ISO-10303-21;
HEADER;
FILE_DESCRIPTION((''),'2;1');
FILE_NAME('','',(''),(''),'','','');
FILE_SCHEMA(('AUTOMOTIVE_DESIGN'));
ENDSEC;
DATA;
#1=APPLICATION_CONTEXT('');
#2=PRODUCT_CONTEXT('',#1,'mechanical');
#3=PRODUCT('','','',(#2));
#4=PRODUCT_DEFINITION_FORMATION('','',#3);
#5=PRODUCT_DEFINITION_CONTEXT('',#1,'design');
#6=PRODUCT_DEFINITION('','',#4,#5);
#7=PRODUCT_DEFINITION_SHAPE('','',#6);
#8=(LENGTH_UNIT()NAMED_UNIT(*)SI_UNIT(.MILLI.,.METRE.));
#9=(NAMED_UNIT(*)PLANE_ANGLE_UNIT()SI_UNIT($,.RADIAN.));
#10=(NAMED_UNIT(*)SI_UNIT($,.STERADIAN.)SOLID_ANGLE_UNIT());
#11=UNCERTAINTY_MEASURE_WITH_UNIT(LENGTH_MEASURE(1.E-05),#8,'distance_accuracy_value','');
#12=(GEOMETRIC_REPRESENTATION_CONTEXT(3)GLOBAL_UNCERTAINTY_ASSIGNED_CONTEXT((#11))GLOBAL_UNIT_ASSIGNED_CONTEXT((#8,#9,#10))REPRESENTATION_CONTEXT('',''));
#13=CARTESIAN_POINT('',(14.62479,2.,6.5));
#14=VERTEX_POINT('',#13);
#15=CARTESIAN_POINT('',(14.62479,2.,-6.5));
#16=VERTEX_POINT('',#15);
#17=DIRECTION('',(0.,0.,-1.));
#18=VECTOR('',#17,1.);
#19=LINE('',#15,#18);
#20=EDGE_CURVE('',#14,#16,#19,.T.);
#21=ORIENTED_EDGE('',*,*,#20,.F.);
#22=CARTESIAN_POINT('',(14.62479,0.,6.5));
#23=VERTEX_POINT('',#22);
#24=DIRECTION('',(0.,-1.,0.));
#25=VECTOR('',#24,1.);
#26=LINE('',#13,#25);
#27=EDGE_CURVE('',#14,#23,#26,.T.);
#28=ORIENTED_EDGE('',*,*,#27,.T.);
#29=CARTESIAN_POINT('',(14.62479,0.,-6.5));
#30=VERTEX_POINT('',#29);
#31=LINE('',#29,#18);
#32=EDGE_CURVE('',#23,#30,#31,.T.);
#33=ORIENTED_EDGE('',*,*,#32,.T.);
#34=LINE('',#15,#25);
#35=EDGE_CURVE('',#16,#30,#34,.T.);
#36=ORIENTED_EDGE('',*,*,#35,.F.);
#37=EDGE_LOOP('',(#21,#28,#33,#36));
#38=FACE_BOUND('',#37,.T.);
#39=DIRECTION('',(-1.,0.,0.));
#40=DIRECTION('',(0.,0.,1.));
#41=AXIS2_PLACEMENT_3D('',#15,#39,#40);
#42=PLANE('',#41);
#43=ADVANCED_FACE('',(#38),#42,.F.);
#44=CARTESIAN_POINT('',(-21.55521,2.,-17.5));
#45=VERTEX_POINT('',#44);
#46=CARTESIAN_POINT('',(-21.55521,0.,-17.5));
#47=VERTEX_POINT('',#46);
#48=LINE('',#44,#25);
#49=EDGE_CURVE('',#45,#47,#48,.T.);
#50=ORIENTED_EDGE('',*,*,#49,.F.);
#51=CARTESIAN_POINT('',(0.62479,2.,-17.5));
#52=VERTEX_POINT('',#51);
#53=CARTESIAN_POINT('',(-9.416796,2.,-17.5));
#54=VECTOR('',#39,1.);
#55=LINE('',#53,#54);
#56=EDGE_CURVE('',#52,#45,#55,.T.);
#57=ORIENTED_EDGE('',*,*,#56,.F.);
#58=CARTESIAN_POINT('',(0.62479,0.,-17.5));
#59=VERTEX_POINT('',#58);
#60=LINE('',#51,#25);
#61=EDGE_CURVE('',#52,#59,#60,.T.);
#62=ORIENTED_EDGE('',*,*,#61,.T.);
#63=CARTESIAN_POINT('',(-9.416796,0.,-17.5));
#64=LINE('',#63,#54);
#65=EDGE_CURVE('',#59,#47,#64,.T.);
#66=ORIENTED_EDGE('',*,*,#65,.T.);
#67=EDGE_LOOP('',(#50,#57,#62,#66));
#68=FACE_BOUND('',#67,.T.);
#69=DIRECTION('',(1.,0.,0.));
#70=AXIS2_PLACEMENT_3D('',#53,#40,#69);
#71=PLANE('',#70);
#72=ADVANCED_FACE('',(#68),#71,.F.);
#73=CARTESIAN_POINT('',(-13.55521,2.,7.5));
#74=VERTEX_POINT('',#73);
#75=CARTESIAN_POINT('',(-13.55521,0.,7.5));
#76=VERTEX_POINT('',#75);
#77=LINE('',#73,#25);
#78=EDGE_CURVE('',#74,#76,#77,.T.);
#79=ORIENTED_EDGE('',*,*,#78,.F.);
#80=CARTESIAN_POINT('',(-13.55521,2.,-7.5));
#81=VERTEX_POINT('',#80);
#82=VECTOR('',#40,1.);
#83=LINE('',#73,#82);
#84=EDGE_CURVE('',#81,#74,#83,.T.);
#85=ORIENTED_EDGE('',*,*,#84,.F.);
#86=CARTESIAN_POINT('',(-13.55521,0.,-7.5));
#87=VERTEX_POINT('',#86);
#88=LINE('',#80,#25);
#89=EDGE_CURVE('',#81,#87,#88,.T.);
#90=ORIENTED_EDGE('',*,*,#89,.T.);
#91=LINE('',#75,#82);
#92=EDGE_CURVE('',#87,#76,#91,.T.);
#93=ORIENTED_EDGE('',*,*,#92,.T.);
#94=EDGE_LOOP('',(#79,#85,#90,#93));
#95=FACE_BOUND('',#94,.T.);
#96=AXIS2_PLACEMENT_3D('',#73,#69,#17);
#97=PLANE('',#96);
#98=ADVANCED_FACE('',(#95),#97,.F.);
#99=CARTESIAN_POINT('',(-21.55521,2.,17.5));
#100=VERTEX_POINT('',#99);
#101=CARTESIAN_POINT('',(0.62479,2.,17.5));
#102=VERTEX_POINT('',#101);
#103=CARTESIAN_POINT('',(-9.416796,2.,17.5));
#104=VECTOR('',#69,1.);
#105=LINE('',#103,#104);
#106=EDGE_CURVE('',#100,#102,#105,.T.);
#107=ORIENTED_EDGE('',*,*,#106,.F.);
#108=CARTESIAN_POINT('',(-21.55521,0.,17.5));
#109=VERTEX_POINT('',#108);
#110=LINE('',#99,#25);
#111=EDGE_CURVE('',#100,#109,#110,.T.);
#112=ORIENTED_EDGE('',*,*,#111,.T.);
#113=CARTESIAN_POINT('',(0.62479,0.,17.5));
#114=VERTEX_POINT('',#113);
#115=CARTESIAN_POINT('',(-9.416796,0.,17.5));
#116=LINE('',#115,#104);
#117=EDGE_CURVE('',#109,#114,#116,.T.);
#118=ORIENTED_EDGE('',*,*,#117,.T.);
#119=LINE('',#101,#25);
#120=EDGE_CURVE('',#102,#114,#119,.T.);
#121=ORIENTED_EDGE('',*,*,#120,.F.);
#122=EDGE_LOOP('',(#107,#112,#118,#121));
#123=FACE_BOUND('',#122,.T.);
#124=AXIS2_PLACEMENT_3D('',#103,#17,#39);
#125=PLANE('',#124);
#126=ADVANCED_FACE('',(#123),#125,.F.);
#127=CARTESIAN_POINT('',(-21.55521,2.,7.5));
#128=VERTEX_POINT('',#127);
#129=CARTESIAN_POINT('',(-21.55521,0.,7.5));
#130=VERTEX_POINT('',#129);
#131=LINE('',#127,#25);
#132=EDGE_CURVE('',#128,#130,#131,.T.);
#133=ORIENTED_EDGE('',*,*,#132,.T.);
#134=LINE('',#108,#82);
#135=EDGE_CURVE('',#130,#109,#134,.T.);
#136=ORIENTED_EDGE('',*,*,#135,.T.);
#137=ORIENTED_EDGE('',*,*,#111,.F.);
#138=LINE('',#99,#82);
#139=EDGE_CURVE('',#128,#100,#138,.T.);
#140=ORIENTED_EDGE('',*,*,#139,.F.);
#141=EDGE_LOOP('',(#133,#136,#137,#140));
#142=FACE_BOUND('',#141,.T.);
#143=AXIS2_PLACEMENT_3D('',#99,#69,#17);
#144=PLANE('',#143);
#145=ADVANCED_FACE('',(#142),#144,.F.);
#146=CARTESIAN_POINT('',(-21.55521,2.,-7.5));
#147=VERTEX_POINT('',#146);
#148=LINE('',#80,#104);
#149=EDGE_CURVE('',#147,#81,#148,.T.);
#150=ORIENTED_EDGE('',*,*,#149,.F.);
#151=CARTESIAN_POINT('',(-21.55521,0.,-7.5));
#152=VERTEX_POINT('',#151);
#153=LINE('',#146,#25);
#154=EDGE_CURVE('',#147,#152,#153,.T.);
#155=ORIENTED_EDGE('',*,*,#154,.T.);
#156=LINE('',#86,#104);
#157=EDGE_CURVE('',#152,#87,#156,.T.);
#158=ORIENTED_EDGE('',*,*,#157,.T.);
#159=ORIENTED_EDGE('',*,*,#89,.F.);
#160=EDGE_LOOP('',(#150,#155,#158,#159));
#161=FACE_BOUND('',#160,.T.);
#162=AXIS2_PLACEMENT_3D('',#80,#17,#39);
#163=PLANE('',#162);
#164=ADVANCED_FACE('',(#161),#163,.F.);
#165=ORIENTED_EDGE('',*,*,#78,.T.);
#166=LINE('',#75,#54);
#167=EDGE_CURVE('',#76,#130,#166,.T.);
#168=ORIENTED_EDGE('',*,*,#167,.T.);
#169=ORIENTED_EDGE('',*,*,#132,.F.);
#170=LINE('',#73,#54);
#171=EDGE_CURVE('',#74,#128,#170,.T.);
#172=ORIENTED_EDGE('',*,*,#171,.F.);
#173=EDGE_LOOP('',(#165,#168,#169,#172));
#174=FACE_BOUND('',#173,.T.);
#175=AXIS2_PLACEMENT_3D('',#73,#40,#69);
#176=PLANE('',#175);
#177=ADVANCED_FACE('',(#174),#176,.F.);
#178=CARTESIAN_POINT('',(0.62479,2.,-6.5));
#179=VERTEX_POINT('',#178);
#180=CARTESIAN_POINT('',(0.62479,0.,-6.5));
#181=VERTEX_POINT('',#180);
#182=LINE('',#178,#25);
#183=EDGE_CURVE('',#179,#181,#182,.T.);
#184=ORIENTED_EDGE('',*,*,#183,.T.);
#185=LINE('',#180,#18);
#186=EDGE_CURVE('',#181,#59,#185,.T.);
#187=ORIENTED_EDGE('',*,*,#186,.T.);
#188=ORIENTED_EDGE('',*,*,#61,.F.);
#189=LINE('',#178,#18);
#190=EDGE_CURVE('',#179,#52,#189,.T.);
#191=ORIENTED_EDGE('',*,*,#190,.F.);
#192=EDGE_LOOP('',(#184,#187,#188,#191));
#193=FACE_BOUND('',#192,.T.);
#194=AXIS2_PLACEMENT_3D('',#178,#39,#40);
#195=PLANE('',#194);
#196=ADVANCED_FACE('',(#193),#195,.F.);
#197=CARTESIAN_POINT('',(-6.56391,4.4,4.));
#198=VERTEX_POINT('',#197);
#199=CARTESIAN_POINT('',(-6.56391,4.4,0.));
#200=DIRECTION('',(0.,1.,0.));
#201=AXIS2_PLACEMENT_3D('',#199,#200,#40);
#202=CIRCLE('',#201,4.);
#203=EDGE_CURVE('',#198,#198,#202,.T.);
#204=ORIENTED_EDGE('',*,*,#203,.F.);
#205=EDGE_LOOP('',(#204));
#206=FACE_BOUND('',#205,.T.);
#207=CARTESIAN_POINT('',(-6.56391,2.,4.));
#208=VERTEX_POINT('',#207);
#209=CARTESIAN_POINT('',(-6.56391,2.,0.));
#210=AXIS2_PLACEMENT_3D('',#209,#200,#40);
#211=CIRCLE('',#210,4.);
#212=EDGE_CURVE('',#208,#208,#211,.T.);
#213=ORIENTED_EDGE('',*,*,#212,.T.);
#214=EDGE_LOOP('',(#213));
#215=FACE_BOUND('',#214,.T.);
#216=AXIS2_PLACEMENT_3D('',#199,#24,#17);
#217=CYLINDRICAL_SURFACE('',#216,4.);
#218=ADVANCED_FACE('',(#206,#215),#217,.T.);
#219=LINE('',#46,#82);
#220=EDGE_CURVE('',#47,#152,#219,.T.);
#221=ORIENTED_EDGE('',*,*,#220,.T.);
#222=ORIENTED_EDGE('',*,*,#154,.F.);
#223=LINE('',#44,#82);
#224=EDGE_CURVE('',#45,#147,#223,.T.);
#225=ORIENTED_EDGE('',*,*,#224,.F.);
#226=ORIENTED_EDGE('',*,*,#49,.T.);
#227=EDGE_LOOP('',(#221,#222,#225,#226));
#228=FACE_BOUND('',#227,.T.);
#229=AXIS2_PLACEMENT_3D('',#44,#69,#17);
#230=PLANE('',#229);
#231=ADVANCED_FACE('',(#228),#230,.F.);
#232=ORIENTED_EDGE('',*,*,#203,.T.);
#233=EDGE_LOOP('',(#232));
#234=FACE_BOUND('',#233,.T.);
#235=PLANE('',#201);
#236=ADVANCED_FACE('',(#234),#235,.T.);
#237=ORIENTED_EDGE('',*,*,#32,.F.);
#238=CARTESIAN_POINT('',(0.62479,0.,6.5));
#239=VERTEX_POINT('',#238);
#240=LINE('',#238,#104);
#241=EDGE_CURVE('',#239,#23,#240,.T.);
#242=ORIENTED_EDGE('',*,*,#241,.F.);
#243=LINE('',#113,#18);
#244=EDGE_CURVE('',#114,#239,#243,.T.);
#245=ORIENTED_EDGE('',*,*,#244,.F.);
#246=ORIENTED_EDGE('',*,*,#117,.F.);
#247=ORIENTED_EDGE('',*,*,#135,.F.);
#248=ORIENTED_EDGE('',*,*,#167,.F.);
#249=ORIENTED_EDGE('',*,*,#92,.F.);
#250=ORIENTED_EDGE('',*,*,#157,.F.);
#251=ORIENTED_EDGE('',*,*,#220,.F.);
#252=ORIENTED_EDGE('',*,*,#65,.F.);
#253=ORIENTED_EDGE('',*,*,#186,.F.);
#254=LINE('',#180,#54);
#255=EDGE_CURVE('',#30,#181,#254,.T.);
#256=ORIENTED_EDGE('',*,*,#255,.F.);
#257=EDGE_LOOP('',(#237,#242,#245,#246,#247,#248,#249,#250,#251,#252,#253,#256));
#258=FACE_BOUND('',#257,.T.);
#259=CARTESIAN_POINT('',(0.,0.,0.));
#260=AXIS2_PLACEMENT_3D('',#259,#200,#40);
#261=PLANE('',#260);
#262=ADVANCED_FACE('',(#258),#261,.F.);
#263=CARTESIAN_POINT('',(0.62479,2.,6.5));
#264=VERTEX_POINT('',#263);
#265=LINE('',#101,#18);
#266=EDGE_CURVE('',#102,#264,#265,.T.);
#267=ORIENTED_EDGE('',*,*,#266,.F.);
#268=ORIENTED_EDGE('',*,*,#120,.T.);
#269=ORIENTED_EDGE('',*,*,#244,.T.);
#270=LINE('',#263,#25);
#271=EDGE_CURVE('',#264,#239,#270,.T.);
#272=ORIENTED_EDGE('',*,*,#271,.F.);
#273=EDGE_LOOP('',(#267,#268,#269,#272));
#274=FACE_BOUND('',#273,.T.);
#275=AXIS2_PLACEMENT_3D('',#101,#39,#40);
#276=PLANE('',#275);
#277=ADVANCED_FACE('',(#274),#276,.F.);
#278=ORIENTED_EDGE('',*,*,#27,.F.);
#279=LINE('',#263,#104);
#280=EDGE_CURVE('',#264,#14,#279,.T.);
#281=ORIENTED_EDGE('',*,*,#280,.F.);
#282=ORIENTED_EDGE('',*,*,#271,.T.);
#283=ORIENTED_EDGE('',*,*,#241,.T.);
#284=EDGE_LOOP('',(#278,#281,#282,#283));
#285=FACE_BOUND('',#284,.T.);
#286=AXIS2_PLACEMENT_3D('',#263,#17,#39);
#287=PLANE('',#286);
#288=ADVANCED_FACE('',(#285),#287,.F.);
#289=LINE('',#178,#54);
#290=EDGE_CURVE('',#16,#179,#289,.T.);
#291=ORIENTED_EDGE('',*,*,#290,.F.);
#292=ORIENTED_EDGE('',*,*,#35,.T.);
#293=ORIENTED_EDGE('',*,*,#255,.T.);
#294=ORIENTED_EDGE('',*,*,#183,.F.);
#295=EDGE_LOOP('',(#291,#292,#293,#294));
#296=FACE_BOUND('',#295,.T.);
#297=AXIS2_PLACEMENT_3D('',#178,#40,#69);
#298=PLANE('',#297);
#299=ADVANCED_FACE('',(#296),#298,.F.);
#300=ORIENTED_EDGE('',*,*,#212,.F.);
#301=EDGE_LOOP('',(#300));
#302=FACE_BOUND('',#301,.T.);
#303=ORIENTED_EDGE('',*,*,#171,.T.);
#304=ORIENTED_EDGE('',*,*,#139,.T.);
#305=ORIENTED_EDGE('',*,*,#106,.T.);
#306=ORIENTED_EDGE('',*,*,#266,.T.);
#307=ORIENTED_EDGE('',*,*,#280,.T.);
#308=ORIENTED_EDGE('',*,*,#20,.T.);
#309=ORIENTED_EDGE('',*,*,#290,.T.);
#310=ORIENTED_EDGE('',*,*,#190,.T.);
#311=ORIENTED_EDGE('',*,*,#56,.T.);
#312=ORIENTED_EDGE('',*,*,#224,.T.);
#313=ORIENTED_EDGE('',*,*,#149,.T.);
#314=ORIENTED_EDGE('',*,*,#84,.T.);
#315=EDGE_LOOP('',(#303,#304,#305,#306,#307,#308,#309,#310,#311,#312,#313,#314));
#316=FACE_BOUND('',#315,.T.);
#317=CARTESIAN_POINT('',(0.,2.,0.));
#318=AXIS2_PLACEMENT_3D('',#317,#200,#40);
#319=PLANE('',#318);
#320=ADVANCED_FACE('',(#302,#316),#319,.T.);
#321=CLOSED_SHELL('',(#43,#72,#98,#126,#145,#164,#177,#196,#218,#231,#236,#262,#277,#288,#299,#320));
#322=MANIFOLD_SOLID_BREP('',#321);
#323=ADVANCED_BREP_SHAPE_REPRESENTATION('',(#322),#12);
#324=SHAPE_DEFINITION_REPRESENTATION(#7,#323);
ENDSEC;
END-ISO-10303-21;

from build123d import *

# Parameters (mm, degrees)
BOSS_EXTRUDE1_DEPTH = 2
SKETCH2_R           = 4
BOSS_EXTRUDE2_DEPTH = 2.4


with BuildPart() as part:
    # Sketch1 → Boss-Extrude1 (new body)
    with BuildSketch(Plane(origin=(0, 0, 0), x_dir=(1, 0, 0), z_dir=(0, 1, 0))):
        Polygon((0.624790047, 6.5), (0.624790047, 17.5), (-9.416796267, 17.5), (-21.555209953, 17.5), (-21.555209953, 7.5), (-13.555209953, 7.5), (-13.555209953, -7.5), (-21.555209953, -7.5), (-21.555209953, -17.5), (-9.416796267, -17.5), (0.624790047, -17.5), (0.624790047, -6.5), (14.624790047, -6.5), (14.624790047, 6.5), align=None)
    extrude(amount=BOSS_EXTRUDE1_DEPTH)

    # Sketch2 → Boss-Extrude2 (add)
    with BuildSketch(Plane(origin=(0, 2, 0), x_dir=(1, 0, 0), z_dir=(0, 1, 0))):
        with Locations((-6.563909953, 0)):
            Circle(SKETCH2_R)
    extrude(amount=BOSS_EXTRUDE2_DEPTH)


solid = part.part
